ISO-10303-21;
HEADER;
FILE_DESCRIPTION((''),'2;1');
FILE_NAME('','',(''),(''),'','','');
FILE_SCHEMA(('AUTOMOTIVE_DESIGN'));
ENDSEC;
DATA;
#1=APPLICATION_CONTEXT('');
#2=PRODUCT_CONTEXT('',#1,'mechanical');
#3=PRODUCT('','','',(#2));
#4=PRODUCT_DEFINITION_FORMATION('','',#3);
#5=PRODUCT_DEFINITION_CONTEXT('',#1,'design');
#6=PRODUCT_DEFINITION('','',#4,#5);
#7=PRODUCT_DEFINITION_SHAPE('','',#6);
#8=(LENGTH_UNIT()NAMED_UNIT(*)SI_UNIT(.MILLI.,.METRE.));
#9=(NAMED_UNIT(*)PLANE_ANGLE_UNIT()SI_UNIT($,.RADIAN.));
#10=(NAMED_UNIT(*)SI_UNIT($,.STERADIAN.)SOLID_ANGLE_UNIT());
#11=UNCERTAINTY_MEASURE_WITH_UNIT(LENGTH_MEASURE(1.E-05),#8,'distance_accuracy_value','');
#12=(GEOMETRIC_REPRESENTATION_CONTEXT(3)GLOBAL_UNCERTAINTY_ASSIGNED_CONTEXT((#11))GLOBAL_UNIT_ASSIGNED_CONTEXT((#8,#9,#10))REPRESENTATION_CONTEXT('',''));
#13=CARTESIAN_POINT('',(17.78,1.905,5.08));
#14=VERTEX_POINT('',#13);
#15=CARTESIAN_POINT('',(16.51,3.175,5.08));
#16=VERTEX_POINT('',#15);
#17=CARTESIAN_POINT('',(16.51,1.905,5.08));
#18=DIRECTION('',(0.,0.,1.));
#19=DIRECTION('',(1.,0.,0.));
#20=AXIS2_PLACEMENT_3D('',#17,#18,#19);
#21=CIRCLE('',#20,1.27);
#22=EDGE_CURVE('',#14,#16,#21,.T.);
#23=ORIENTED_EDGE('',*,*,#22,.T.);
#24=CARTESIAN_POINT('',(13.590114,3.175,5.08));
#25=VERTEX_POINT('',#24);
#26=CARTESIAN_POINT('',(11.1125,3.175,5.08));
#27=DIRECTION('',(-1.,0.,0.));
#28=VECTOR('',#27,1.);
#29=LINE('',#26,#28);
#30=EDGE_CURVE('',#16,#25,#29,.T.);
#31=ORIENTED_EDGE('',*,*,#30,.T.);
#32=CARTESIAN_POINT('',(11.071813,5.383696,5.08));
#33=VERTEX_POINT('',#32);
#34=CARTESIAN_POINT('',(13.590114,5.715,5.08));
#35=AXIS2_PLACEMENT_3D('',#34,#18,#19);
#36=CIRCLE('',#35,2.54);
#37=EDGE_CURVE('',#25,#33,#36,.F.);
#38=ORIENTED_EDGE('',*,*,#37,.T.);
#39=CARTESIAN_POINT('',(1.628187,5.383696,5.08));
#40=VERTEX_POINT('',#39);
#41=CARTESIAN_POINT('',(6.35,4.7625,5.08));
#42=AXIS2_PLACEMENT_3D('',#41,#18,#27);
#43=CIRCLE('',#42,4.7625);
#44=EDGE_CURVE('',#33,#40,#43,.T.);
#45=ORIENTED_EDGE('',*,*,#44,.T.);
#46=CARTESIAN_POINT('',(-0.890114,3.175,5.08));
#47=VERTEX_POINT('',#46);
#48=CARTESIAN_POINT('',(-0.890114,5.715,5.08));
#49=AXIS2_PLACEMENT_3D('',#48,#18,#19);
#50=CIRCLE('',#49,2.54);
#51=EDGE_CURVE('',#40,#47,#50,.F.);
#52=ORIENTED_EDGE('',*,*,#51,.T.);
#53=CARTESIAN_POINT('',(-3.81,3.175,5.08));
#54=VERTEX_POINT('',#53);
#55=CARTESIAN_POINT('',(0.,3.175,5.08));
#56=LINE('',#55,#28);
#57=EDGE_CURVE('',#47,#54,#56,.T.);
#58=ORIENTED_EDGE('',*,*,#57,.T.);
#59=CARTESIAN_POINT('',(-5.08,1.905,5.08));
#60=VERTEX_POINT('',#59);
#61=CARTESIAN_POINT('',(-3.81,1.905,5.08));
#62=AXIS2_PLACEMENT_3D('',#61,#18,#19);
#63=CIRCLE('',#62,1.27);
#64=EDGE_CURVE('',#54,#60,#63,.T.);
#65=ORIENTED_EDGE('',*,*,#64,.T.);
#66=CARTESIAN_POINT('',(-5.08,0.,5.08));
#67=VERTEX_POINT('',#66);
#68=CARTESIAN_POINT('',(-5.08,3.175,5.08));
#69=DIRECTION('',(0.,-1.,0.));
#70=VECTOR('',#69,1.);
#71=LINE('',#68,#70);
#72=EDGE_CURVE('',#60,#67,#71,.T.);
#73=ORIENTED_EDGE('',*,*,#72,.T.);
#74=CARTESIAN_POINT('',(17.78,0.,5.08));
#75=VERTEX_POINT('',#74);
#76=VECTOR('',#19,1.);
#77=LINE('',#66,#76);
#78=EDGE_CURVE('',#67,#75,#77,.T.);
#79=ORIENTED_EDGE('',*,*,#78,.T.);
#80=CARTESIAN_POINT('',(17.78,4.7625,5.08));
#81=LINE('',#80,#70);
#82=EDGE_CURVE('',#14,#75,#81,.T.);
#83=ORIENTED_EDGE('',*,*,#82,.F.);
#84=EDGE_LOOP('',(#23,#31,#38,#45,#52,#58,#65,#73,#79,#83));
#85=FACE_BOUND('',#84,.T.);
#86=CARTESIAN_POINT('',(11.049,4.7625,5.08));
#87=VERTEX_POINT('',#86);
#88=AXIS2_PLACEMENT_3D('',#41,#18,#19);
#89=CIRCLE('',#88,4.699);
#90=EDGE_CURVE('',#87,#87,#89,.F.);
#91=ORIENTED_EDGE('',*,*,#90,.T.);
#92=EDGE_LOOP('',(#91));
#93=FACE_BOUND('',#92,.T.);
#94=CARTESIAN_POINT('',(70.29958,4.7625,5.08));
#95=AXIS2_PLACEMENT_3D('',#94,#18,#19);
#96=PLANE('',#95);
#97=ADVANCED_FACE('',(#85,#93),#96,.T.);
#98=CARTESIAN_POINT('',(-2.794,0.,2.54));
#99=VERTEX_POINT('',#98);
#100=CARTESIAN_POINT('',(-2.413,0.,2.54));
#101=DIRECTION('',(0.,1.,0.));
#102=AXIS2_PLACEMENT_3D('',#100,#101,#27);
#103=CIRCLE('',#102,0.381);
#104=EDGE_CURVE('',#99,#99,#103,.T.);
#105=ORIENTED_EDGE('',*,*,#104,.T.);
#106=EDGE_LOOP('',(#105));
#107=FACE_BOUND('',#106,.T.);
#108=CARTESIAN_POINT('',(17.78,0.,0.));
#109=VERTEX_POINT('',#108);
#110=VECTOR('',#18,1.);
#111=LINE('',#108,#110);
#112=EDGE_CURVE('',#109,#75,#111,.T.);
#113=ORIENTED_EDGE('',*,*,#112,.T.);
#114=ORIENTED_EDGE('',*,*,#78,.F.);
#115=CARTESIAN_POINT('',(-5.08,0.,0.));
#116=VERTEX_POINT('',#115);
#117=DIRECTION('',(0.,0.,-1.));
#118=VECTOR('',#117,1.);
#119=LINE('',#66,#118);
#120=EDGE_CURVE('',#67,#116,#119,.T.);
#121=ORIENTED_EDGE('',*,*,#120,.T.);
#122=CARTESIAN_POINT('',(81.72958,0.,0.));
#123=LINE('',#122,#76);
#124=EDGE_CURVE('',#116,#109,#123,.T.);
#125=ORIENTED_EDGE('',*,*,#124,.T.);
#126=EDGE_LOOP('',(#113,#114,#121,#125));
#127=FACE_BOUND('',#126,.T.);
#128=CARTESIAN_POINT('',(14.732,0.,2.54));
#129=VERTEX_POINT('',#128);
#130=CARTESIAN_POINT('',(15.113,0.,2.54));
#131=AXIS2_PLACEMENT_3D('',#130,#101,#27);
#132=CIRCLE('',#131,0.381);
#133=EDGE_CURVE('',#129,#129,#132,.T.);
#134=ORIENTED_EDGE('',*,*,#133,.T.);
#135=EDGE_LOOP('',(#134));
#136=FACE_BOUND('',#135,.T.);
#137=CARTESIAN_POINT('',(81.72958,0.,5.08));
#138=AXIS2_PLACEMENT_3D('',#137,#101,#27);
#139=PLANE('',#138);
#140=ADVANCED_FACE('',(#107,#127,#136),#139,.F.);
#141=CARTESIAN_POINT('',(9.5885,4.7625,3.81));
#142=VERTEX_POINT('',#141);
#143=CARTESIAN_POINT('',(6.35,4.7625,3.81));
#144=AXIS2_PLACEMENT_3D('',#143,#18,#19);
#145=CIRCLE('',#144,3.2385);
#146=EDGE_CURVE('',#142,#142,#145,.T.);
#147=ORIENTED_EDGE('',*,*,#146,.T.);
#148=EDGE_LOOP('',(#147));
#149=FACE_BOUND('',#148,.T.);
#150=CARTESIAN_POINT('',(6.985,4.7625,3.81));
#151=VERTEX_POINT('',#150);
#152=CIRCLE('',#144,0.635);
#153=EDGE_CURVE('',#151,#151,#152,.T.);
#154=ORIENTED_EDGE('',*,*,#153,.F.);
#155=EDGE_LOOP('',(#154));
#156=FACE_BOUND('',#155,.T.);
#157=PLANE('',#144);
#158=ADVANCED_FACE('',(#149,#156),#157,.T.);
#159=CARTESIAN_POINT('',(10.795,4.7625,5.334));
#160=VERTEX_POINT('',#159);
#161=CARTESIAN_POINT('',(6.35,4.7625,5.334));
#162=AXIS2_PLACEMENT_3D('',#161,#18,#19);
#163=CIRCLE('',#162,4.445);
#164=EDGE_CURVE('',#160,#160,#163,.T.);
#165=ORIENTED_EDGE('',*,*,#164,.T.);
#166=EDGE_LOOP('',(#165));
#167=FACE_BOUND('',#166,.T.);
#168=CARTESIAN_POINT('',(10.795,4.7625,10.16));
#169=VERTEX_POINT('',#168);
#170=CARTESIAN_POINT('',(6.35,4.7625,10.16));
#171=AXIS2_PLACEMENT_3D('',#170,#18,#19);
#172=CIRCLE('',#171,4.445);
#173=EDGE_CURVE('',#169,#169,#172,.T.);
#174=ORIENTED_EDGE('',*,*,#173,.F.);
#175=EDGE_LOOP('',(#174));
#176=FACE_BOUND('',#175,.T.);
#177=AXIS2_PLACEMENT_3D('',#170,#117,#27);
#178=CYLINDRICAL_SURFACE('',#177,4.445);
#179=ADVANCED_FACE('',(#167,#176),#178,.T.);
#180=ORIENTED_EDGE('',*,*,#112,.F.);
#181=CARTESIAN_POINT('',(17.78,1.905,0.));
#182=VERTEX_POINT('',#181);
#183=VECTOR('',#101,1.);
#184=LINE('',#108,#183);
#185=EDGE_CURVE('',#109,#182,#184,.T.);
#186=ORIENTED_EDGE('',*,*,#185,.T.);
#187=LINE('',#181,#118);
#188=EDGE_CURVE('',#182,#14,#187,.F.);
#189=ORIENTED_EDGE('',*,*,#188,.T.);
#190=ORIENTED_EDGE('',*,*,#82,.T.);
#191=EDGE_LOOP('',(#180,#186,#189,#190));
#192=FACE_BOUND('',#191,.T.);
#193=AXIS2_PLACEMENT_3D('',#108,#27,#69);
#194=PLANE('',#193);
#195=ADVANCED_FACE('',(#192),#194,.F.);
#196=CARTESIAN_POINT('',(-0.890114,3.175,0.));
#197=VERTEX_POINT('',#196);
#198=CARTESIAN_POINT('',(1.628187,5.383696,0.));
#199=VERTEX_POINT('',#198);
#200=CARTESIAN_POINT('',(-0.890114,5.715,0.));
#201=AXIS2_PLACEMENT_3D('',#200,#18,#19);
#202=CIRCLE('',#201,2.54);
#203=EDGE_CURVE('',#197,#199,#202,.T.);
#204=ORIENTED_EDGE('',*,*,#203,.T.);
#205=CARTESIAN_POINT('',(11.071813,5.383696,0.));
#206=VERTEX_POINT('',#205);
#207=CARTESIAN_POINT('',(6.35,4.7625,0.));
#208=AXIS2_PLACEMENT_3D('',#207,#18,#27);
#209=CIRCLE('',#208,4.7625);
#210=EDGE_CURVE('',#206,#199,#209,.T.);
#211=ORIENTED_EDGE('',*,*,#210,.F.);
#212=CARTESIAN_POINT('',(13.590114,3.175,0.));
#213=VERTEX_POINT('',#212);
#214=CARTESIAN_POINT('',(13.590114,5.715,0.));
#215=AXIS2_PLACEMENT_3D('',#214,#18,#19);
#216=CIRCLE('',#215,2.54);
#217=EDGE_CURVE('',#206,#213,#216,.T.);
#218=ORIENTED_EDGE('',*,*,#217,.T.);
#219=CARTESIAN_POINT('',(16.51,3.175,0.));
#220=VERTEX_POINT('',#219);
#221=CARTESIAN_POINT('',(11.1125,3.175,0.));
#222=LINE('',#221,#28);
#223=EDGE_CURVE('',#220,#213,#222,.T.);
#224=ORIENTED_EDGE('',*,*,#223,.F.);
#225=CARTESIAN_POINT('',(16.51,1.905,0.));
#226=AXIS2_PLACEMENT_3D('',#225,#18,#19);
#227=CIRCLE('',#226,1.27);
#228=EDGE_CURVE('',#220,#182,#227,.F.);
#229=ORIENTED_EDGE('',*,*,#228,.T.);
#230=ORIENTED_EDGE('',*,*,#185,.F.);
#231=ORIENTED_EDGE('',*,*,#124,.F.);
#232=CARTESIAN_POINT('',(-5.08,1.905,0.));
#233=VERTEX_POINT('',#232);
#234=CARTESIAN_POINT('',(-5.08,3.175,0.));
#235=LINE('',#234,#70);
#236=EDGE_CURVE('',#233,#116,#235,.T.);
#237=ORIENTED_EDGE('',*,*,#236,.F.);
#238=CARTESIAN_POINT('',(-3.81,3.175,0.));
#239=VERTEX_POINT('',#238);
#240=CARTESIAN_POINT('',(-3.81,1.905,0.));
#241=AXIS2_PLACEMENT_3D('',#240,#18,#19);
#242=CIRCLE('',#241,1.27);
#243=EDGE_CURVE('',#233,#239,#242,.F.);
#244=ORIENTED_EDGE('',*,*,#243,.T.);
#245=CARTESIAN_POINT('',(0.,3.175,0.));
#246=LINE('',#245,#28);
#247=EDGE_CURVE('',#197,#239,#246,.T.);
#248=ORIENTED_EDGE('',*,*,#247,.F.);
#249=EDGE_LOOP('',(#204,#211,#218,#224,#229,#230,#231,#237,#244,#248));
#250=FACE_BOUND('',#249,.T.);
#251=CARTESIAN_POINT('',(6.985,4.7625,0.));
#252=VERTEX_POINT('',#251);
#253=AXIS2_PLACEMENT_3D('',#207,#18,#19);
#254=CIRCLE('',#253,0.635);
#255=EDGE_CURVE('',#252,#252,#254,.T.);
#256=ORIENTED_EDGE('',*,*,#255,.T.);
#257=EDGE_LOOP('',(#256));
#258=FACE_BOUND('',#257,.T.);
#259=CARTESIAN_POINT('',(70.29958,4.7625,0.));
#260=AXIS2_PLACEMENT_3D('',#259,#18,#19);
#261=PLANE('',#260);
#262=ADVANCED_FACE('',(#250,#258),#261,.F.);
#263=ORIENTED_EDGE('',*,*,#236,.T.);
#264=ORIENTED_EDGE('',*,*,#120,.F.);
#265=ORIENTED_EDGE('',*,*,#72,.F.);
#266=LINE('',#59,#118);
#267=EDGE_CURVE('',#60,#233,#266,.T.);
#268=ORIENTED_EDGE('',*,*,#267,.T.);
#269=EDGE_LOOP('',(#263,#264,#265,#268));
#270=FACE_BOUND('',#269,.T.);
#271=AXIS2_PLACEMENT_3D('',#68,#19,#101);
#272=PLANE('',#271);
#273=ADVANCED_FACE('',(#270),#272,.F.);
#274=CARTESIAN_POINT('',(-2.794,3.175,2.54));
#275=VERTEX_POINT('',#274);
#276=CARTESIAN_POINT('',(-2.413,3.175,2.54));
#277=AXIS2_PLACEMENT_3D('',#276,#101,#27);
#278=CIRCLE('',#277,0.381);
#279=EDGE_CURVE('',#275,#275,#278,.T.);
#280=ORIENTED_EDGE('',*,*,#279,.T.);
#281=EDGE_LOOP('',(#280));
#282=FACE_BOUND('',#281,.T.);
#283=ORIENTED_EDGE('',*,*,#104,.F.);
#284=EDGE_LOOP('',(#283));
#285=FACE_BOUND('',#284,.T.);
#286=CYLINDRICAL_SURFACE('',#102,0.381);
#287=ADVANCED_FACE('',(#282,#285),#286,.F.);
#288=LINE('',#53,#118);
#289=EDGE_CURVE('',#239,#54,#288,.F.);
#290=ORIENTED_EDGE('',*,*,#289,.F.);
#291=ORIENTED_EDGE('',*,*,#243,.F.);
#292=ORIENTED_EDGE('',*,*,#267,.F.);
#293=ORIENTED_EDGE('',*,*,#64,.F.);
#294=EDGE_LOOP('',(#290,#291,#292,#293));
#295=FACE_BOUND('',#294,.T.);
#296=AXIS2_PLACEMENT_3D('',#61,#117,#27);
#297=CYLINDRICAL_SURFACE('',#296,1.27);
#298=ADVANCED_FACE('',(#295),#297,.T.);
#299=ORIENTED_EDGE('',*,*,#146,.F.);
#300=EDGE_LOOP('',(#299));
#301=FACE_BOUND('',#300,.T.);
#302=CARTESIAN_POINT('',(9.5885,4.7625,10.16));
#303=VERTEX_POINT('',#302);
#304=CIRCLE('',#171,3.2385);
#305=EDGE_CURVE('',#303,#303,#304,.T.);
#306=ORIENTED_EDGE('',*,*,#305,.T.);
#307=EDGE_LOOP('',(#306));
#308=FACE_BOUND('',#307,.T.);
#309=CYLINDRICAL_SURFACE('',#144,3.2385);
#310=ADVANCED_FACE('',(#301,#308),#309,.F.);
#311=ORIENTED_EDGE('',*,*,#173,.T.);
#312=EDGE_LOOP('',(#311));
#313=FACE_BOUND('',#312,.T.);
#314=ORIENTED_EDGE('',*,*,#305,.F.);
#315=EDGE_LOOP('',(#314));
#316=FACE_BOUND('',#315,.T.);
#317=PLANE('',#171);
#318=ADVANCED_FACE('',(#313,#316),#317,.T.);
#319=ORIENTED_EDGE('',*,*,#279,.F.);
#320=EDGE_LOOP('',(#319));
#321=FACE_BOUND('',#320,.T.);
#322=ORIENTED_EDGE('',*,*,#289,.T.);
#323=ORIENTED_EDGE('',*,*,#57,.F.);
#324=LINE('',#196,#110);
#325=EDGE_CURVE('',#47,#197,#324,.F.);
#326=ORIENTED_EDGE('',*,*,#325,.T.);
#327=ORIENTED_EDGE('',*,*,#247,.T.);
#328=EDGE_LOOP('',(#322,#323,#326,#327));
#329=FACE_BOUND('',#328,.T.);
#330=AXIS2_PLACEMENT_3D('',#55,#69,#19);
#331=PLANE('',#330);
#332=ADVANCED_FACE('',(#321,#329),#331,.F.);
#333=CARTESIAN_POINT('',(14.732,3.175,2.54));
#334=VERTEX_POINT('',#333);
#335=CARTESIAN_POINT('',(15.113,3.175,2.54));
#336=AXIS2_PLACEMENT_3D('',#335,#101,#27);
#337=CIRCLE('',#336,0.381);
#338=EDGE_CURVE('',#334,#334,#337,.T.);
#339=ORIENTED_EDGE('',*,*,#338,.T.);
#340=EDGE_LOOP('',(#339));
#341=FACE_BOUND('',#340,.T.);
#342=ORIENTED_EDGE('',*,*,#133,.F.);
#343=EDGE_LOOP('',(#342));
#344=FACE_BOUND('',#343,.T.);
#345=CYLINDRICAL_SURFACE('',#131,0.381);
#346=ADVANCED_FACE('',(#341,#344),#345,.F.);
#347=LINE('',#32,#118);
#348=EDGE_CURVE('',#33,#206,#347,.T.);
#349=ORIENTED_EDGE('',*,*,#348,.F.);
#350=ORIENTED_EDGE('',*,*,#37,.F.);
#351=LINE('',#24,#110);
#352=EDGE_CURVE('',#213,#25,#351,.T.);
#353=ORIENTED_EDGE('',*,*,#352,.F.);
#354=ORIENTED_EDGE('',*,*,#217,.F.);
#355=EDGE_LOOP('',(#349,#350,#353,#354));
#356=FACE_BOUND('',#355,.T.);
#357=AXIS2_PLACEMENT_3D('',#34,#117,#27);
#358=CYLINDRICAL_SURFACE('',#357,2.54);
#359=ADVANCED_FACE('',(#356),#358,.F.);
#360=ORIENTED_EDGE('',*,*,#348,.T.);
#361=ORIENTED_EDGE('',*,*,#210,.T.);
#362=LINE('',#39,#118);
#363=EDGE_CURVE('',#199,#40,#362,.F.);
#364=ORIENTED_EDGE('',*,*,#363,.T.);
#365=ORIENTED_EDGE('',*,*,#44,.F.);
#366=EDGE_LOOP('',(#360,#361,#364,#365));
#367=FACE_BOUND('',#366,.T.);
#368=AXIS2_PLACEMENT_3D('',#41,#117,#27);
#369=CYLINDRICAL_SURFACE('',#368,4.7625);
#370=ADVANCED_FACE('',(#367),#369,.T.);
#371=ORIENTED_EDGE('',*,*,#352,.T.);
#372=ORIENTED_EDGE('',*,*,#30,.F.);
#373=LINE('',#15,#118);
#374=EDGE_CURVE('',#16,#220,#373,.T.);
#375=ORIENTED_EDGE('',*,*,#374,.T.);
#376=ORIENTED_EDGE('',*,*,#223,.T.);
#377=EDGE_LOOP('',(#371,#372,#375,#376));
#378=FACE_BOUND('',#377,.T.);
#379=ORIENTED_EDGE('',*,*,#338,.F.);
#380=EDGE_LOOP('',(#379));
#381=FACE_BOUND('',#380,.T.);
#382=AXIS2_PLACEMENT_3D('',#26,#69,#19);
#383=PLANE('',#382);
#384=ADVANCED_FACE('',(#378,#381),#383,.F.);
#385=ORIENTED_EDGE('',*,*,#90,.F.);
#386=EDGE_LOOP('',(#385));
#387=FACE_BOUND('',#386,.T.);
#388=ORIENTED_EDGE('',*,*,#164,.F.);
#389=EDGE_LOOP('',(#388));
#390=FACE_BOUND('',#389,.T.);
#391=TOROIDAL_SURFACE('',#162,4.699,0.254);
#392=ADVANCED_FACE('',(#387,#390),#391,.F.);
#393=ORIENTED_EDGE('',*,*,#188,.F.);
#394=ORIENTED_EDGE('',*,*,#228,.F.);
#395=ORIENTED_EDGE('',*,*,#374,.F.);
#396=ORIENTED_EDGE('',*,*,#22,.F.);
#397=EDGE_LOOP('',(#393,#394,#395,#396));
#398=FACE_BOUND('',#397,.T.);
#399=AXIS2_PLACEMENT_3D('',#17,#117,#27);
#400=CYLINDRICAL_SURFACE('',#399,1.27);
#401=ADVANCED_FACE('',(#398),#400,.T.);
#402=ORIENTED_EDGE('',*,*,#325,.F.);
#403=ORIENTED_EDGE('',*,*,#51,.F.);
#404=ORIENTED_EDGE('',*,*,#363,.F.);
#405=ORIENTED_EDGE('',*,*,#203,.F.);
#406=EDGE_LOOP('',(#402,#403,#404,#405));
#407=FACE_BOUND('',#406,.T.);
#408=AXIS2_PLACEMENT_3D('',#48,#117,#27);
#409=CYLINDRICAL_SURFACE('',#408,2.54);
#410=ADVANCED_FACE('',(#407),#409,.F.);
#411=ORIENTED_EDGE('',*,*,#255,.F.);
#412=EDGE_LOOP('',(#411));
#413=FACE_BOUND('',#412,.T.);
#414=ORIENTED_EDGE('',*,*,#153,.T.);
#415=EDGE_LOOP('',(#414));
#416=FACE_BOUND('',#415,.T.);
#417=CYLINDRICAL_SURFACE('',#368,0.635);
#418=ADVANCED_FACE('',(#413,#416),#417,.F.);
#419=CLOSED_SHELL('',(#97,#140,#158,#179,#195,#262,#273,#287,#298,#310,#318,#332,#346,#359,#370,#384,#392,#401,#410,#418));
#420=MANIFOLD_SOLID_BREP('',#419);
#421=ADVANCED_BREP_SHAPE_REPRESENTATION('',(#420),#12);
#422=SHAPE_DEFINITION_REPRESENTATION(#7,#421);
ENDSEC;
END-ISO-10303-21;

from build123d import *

# Parameters (mm, degrees)
SKETCH1_R               = 0.635
BOSS_EXTRUDE1_DEPTH     = 5.08
SKETCH2_R               = 4.445
SKETCH2_R_2             = 0.635
BOSS_EXTRUDE2_DEPTH     = 5.08
SKETCH3_R               = 3.2385
CUT_EXTRUDE1_DEPTH      = 6.35
FILLET1_R               = 0.254
FILLET2_R               = 2.54
FILLET3_R               = 1.27
SKETCH5_R               = 0.381
CUT_EXTRUDE3_DEPTH      = 83.603101422
CUT_EXTRUDE4_DEPTH      = 83.603101422
CUT_EXTRUDE4_DEPTH_BACK = 83.603101422
SKETCH7_W               = 65.357576663
SKETCH7_H               = 10.612338137
FILLET4_R               = 1.27


with BuildPart() as part:
    # Sketch1 → Boss-Extrude1 (new body)
    with BuildSketch(Plane.XY):
        with BuildLine():
            Line((0, 0), (76.64958, 0))
            Line((76.64958, 0), (81.72958, 0))
            Line((81.72958, 0), (81.72958, 3.175))
            Line((81.72958, 3.175), (76.64958, 3.175))
            Line((76.64958, 3.175), (75.06208, 3.175))
            Line((75.06208, 3.175), (75.06208, 4.7625))
            ThreePointArc((75.06208, 4.7625), (70.29958, 9.525), (65.53708, 4.7625))
            Line((65.53708, 4.7625), (65.53708, 3.175))
            Line((65.53708, 3.175), (11.1125, 3.175))
            Line((11.1125, 3.175), (11.1125, 4.7625))
            ThreePointArc((11.1125, 4.7625), (6.35, 9.525), (1.5875, 4.7625))
            Line((1.5875, 4.7625), (1.5875, 3.175))
            Line((1.5875, 3.175), (0, 3.175))
            Line((0, 3.175), (-5.08, 3.175))
            Line((-5.08, 3.175), (-5.08, 0))
            Line((-5.08, 0), (0, 0))
        make_face()
        with Locations((6.35, 4.7625)):
            Circle(SKETCH1_R, mode=Mode.SUBTRACT)
        with Locations((70.29958, 4.7625)):
            Circle(SKETCH1_R, mode=Mode.SUBTRACT)
    extrude(amount=BOSS_EXTRUDE1_DEPTH)

    # Sketch2 → Boss-Extrude2 (add)
    # profile 1 of 2: a face of its own
    with BuildSketch(Plane.XY.offset(5.08)):
        with Locations((6.35, 4.7625)):
            Circle(SKETCH2_R)
        with Locations((6.35, 4.7625)):
            Circle(SKETCH2_R_2, mode=Mode.SUBTRACT)
    # profile 2 of 2: a face of its own
    with BuildSketch(Plane.XY.offset(5.08)):
        with Locations((70.29958, 4.7625)):
            Circle(SKETCH2_R)
        with Locations((70.29958, 4.7625)):
            Circle(SKETCH2_R_2, mode=Mode.SUBTRACT)
    extrude(amount=BOSS_EXTRUDE2_DEPTH)

    # Sketch3 → Cut-Extrude1 (cut)
    with BuildSketch(Plane.XY.offset(10.16)):
        with Locations((6.35, 4.7625)):
            Circle(SKETCH3_R)
        with Locations((70.29958, 4.7625)):
            Circle(SKETCH3_R)
    extrude(amount=-CUT_EXTRUDE1_DEPTH, mode=Mode.SUBTRACT)

    # Fillet1
    fillet1_edges = [part.edges().sort_by_distance(p)[0] for p in [
        (1.905, 4.7625, 5.08),
        (65.85458, 4.7625, 5.08),
    ]]
    fillet(fillet1_edges, radius=FILLET1_R)

    # Fillet2
    fillet2_edges = [part.edges().sort_by_distance(p)[0] for p in [
        (75.06208, 3.175, 2.54),
        (11.1125, 3.175, 2.54),
        (65.53708, 3.175, 2.54),
        (1.5875, 3.175, 2.54),
    ]]
    fillet(fillet2_edges, radius=FILLET2_R)

    # Fillet3
    fillet3_edges = [part.edges().sort_by_distance(p)[0] for p in [
        (-5.08, 3.175, 2.54),
        (81.72958, 3.175, 2.54),
    ]]
    fillet(fillet3_edges, radius=FILLET3_R)

    # Sketch5 → Cut-Extrude3 (cut, through all)
    with BuildSketch(Plane(origin=(0, 3.175, 0), x_dir=(1, 0, 0), z_dir=(0, 1, 0))):
        with Locations(Location((-2.413, -2.54, 0), (0, 0, 180))):
            Circle(SKETCH5_R)
        with Locations(Location((79.06258, -2.54, 0), (0, 0, 180))):
            Circle(SKETCH5_R)
        with Locations(Location((61.53658, -2.54, 0), (0, 0, 180))):
            Circle(SKETCH5_R)
        with Locations(Location((15.113, -2.54, 0), (0, 0, 180))):
            Circle(SKETCH5_R)
    extrude(amount=-CUT_EXTRUDE3_DEPTH, mode=Mode.SUBTRACT)

    # Sketch7 → Cut-Extrude4 (cut, two sides: drawn at the far end of the back side and taken through both)
    with BuildSketch(Plane(origin=(0, 3.175, 0), x_dir=(1, 0, 0), z_dir=(0, 1, 0)).offset(-CUT_EXTRUDE4_DEPTH_BACK)):
        with Locations((50.458788332, -5.306169069)):
            Rectangle(SKETCH7_W, SKETCH7_H)
    extrude(amount=CUT_EXTRUDE4_DEPTH + CUT_EXTRUDE4_DEPTH_BACK, mode=Mode.SUBTRACT)

    # Fillet4
    fillet4_edges = [part.edges().sort_by_distance(p)[0] for p in [
        (17.78, 3.175, 2.54),
    ]]
    fillet(fillet4_edges, radius=FILLET4_R)


solid = part.part
